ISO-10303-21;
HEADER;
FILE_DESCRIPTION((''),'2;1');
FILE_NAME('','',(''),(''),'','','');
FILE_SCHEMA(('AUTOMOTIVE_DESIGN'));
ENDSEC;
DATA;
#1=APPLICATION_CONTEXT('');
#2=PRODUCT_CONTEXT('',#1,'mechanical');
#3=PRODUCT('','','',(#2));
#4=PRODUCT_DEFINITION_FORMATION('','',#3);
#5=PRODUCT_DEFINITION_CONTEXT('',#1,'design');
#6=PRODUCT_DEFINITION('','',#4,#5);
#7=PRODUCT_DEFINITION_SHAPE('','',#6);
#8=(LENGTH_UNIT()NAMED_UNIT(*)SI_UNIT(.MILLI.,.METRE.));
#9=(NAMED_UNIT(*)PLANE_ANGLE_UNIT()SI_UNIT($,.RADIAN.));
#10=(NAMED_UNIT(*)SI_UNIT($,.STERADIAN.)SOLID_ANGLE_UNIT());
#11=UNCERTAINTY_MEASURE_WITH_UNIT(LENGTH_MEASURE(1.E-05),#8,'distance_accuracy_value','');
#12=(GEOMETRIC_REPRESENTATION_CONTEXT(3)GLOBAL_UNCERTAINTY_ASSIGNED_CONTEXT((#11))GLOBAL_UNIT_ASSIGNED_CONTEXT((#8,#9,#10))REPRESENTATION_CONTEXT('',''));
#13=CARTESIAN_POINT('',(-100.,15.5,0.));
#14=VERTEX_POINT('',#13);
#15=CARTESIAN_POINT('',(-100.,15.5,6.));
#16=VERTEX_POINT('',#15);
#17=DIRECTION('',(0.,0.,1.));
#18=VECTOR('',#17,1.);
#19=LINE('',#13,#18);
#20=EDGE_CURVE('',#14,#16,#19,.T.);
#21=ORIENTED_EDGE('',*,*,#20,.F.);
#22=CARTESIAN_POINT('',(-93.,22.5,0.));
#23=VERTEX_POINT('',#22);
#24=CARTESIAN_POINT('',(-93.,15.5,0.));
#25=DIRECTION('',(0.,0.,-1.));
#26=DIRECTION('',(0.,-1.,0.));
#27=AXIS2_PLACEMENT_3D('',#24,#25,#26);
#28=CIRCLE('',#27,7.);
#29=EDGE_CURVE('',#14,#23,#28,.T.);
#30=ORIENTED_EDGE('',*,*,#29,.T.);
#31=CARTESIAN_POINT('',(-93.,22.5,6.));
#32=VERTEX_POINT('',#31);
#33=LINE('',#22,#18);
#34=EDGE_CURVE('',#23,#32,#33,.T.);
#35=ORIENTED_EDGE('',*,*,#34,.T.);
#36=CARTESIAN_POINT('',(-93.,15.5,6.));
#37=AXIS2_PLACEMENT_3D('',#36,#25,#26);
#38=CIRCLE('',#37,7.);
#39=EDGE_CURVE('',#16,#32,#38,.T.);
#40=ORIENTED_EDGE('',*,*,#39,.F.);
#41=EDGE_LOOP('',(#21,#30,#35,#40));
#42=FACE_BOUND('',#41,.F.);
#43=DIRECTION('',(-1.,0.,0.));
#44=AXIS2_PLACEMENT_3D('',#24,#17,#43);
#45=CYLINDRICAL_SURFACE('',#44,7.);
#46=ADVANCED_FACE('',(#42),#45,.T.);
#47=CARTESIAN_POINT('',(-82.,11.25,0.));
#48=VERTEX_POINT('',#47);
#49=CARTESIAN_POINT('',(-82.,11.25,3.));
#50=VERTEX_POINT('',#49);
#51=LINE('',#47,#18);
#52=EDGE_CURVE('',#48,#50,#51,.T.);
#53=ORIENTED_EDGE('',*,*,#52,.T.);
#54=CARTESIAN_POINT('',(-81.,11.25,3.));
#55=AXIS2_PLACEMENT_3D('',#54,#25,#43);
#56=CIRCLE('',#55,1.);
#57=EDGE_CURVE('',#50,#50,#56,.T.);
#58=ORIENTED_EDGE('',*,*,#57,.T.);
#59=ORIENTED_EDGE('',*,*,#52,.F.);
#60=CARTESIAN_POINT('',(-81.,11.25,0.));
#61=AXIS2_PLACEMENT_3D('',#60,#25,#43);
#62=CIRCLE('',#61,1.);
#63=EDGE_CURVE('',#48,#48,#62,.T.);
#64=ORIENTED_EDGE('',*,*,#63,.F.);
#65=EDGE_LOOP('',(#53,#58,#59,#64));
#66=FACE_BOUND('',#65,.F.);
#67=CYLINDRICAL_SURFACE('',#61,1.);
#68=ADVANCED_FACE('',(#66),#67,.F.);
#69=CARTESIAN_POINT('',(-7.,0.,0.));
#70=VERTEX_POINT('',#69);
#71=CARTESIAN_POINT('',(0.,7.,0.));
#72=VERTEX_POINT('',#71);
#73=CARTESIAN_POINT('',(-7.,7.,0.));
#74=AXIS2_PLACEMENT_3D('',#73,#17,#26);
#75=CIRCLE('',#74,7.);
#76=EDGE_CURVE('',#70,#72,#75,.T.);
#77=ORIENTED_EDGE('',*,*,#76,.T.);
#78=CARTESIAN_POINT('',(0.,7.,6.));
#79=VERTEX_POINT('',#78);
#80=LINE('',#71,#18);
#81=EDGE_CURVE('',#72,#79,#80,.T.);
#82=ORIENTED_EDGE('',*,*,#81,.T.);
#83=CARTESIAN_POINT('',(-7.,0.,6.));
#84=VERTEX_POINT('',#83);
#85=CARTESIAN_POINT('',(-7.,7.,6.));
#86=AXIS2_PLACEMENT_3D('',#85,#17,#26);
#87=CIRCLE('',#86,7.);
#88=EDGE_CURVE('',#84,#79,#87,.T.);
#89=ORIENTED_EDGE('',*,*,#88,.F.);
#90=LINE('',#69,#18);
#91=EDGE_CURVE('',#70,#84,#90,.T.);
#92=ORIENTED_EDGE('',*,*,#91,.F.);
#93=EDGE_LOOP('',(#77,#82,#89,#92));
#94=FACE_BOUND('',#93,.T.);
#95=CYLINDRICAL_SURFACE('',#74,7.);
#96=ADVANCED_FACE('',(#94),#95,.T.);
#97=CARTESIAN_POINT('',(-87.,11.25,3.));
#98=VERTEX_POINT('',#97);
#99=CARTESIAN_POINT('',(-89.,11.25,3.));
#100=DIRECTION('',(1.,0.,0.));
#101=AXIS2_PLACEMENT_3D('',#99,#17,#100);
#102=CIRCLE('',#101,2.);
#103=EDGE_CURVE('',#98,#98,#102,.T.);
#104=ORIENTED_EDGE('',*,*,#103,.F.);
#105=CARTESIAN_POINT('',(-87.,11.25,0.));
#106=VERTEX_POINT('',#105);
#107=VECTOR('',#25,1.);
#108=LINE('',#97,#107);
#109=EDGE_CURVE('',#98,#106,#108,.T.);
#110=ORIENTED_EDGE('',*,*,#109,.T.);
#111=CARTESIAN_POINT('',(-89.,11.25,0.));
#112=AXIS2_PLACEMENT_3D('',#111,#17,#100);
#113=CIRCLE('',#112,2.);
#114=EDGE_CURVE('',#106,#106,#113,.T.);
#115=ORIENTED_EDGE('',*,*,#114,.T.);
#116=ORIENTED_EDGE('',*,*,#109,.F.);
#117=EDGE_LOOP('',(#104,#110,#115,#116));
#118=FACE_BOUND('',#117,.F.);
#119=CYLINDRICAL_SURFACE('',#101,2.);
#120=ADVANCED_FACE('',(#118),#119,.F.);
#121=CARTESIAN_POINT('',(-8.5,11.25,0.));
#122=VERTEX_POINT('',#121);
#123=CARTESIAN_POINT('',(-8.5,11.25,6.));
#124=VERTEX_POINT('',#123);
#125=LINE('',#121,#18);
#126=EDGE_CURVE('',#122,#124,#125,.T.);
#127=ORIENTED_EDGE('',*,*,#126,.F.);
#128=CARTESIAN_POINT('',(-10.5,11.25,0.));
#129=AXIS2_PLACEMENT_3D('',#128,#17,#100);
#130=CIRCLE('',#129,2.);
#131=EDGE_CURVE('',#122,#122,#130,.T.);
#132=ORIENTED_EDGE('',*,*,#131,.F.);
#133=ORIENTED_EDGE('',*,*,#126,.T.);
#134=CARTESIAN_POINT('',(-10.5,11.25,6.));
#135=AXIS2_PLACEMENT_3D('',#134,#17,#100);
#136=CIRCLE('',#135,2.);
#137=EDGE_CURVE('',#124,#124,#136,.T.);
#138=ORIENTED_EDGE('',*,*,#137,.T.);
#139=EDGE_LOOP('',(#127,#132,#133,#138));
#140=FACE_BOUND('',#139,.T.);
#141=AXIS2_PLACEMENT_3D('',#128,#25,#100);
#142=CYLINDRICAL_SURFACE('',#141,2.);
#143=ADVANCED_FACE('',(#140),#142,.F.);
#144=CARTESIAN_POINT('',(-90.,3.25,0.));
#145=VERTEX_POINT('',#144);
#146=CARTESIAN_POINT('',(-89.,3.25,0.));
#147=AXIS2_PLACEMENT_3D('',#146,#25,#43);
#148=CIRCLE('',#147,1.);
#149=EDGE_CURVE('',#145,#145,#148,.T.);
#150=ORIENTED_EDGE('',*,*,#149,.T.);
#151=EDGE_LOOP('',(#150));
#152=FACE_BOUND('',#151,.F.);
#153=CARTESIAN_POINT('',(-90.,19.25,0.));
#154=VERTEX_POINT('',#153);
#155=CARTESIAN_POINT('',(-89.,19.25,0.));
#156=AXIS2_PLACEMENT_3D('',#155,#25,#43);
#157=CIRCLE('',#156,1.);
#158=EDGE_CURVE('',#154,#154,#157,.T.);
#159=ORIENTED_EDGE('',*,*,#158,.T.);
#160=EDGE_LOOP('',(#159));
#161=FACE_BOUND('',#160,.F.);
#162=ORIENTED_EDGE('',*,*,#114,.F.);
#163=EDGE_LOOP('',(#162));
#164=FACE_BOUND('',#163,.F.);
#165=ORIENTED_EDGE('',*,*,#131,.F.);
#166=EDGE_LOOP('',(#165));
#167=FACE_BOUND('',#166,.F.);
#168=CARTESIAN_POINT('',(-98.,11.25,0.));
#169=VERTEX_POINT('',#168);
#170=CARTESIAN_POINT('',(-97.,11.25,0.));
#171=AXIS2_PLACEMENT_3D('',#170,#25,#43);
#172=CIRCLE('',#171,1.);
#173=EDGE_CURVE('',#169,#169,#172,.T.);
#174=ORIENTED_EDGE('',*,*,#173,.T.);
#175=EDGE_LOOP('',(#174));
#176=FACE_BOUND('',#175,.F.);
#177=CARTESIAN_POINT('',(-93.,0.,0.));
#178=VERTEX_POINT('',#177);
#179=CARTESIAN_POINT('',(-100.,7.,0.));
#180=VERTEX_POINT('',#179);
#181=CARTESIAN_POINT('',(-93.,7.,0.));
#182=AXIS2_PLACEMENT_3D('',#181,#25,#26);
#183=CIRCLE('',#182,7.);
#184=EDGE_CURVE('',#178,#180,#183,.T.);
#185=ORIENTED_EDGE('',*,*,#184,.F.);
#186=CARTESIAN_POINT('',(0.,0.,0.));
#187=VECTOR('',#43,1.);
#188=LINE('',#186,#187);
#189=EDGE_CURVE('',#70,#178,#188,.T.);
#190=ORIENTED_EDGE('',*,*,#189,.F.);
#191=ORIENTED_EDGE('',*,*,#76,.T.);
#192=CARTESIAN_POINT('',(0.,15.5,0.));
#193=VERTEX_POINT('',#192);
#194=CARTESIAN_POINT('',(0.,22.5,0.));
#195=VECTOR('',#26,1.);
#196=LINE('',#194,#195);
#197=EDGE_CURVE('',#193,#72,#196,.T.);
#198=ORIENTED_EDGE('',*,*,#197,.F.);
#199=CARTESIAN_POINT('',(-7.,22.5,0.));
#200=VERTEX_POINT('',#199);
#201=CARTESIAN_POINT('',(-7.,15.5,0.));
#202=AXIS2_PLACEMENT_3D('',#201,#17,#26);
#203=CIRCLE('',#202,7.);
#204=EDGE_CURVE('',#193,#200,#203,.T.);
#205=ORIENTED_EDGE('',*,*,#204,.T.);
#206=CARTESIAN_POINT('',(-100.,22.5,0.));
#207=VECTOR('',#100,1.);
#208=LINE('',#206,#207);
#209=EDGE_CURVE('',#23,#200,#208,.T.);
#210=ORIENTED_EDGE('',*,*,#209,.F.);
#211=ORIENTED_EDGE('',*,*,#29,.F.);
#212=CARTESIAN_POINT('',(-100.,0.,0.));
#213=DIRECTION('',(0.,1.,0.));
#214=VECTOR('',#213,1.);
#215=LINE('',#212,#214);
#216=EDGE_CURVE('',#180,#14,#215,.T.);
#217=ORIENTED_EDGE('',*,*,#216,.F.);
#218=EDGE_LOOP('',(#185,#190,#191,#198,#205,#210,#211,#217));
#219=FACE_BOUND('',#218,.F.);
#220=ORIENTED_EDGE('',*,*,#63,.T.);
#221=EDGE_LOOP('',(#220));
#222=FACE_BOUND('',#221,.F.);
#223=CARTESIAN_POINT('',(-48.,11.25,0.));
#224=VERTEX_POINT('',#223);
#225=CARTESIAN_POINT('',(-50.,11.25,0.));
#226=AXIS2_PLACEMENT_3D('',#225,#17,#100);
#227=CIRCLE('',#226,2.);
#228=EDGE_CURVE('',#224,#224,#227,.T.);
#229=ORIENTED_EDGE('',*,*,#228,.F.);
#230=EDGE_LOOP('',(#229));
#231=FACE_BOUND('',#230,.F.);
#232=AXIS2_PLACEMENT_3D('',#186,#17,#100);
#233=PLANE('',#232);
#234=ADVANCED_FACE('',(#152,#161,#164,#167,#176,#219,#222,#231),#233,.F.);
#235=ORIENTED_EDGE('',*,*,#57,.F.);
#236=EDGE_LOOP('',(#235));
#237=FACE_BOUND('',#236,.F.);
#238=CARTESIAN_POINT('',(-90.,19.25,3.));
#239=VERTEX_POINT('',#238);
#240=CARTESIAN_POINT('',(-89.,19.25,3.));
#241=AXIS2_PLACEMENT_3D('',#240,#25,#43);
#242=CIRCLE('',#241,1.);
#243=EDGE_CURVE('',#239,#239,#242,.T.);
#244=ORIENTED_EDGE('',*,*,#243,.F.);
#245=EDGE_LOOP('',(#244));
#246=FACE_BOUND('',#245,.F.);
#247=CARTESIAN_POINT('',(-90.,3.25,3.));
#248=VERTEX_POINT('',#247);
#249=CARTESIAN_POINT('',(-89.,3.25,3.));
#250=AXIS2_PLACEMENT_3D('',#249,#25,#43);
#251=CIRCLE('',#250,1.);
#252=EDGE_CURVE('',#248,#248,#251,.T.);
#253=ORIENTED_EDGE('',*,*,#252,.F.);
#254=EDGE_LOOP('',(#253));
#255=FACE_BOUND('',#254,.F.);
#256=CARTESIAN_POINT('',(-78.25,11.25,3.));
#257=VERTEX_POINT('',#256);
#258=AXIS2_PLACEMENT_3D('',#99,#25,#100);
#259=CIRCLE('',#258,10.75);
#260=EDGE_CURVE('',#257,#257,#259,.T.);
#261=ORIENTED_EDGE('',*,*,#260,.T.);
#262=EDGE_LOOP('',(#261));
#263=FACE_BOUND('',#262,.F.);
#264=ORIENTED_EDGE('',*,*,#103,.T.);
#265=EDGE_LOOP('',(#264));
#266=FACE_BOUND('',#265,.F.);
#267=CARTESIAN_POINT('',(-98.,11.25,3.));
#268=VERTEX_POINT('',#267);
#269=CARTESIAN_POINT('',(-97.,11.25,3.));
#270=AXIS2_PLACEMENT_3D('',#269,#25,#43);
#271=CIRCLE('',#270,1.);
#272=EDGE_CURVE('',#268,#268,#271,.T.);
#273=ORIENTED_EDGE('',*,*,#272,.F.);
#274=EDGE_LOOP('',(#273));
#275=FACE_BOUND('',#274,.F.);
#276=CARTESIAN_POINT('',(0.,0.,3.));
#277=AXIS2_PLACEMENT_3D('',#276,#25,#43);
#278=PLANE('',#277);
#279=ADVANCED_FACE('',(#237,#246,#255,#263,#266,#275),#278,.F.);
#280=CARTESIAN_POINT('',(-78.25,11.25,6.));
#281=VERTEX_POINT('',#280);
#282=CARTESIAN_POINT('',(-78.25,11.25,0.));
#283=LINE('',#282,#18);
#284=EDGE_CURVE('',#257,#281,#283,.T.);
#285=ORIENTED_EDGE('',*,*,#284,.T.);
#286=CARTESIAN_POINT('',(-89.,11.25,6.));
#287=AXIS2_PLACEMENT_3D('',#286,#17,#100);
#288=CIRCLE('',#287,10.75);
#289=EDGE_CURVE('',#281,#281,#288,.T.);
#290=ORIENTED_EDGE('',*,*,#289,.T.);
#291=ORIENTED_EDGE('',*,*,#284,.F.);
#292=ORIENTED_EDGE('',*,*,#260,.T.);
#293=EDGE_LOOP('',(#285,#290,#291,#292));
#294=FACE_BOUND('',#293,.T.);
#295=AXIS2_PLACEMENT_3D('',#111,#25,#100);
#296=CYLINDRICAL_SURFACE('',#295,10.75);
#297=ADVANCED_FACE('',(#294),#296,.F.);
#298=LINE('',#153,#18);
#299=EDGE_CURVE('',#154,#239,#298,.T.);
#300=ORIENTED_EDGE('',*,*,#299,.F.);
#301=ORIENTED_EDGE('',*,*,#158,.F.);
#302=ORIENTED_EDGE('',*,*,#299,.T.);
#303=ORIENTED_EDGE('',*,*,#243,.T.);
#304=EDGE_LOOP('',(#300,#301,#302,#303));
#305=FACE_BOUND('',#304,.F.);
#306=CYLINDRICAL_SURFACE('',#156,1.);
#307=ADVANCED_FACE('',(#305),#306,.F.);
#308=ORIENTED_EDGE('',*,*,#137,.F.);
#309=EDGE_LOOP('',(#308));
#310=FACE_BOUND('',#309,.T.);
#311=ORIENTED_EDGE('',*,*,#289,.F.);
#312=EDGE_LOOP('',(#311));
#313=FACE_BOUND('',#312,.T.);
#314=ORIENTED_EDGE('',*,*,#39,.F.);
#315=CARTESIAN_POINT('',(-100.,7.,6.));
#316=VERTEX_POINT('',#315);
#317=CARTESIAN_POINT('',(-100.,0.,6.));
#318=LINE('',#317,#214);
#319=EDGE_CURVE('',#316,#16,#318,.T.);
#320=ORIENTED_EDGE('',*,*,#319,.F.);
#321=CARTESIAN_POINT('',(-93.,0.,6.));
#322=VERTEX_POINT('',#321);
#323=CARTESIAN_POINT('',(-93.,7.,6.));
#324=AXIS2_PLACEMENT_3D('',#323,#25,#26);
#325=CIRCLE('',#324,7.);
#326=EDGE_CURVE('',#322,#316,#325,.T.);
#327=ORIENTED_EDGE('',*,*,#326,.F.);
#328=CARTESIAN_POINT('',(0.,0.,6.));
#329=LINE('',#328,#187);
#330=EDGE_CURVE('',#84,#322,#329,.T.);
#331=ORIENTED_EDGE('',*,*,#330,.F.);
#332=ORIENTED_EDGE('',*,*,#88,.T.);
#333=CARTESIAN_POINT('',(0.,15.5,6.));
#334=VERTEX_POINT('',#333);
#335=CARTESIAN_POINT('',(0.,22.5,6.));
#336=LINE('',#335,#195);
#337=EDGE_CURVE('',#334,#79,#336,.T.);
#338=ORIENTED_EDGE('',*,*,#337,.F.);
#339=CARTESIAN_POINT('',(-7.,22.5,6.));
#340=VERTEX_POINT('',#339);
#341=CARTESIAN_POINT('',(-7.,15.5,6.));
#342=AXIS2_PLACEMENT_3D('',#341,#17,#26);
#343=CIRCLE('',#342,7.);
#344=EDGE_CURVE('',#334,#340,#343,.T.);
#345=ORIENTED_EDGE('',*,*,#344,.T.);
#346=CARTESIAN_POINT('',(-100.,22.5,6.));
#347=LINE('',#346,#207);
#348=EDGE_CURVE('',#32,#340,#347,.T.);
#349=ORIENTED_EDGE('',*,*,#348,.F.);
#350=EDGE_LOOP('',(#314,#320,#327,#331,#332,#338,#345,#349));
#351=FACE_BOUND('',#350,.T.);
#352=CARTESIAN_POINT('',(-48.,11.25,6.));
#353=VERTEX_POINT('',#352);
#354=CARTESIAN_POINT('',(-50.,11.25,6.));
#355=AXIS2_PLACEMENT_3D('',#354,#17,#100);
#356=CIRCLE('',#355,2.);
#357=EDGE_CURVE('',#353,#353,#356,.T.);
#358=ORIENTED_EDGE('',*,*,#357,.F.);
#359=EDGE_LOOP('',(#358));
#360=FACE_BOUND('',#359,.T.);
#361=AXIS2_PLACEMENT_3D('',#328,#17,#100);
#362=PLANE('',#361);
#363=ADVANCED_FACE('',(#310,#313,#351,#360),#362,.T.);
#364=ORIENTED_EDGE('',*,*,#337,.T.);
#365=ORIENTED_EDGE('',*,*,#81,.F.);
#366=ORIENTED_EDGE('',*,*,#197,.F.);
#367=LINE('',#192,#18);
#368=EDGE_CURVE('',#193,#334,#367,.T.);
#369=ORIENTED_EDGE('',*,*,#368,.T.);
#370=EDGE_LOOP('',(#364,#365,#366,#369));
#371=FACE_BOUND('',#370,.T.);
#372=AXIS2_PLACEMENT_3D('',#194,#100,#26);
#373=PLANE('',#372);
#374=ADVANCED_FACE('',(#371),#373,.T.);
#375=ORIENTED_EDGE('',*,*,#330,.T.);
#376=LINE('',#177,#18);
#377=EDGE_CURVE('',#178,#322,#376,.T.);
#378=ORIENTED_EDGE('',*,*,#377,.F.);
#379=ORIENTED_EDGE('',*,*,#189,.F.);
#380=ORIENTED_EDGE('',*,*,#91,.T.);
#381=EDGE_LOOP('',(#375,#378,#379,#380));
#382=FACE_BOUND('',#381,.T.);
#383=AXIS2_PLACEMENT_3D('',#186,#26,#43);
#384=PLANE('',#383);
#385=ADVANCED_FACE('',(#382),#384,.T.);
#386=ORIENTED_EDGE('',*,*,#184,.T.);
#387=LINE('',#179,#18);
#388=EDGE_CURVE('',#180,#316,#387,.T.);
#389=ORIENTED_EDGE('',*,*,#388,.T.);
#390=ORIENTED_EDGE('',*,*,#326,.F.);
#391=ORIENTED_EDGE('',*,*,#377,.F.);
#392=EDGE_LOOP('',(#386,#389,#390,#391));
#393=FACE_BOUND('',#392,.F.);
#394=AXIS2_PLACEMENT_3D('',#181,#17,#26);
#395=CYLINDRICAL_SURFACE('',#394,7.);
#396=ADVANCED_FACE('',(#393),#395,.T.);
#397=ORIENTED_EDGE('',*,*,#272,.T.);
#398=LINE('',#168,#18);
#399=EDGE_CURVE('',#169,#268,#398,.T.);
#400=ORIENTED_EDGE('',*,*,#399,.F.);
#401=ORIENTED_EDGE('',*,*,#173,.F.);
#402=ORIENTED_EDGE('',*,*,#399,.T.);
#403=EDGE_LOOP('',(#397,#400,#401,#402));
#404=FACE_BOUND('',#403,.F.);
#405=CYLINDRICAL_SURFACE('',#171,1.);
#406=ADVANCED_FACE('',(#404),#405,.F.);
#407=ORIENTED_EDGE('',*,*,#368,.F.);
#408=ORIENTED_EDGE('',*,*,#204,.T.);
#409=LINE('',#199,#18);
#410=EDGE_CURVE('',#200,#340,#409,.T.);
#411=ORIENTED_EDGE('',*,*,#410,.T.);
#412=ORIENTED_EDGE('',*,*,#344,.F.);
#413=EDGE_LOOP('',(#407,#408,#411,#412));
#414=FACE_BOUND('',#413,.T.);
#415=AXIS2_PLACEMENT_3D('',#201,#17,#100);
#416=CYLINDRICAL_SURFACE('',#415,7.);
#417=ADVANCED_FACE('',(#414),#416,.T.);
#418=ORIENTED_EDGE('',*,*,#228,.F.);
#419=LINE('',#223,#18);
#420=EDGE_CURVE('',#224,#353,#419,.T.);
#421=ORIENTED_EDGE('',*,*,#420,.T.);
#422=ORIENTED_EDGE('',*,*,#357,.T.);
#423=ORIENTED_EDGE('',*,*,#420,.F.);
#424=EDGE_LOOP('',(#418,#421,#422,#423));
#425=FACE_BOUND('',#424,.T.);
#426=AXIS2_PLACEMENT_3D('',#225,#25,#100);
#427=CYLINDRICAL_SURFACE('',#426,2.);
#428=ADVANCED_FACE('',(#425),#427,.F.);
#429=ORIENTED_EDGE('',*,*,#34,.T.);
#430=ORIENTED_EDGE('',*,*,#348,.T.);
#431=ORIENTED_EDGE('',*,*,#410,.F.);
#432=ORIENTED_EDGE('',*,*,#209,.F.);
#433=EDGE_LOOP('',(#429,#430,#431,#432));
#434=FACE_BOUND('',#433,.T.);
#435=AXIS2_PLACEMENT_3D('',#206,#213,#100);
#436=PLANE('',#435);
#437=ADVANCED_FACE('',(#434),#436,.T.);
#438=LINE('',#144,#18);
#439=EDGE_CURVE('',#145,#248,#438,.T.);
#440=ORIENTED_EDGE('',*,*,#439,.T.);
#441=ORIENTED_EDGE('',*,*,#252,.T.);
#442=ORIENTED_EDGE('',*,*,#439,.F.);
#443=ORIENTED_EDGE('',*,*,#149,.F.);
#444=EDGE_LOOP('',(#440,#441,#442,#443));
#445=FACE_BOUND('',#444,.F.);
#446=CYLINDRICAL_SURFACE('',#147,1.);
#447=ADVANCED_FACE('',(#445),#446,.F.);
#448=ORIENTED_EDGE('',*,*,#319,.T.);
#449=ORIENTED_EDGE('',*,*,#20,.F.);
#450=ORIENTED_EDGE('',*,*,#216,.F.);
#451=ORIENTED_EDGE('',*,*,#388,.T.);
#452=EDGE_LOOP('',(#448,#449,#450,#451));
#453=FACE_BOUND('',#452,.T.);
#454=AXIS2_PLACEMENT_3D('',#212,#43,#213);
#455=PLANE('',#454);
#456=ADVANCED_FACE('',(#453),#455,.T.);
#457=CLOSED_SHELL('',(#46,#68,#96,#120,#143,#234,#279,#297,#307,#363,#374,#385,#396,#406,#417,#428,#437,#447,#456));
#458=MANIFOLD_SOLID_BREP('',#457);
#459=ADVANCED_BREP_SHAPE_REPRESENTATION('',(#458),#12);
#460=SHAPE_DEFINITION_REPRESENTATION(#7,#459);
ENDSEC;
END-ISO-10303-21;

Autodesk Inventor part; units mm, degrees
ref_plane "YZ Plane" through (0, 0, 0) normal (1, 0, 0) x (0, 1, 0)
ref_plane "XZ Plane" through (0, 0, 0) normal (0, 1, 0) x (-1, 0, 0)
ref_plane "XY Plane" through (0, 0, 0) normal (0, 0, 1) x (1, 0, 0)
sketch "Эскиз1" plane through (0, 0, 0) normal (0, 0, 1) x (1, 0, 0)
  line L0 (0, 0) -> (-100, 0)
  line L1 (-100, 0) -> (-100, 22.5)
  line L2 (-100, 22.5) -> (0, 22.5)
  line L3 (0, 22.5) -> (0, 0)
  line L4 (-100, 11.25) -> (0, 11.25) construction
  line L5 (0, 11.25) -> (-10.5, 11.25) construction
  circle A0 centre (-10.5, 11.25) radius 10.5 construction
  circle A1 centre (-89, 11.25) radius 10.75
  line L6 (-50, 0) -> (-50, 22.5) construction
  circle A2 centre (-50, 11.25) radius 2
  circle A3 centre (-10.5, 11.25) radius 2
  dimension "d0" = 100
  dimension "d1" = 22.5
  dimension "d2" = 10.5
  dimension "d3" = 11
  dimension "d4" = 21
  dimension "d5" = 21.5
  dimension "d6" = 4
  dimension "d7" = 4
extrude "Выдавливание1" add sketch "Эскиз1" along normal blind 6
sketch "Эскиз2" plane through (0, 0, 0) normal (0, 0, -1) x (-1, 0, 0)
  circle A0 centre (89, 11.25) radius 10.75 projected
  circle A1 centre (89, 11.25) radius 10.75
  point P0 (0, 0)
  point P1 (89.5, 21)
  point P2 (89.5, 0)
  dimension "d23" = 21.5
extrude "Выдавливание2" add sketch "Эскиз2" against normal blind 3
sketch "Эскиз3" plane through (0, 0, 3) normal (0, 0, 1) x (1, 0, 0)
  circle A0 centre (-89, 11.25) radius 10.75 projected
  circle A1 centre (-89, 11.25) radius 2
  point P0 (0, 0)
  point P1 (-89.5, 21)
  point P2 (-89.5, 0)
  dimension "d12" = 4
extrude "Выдавливание3" cut sketch "Эскиз3" against normal blind 3 contours A1
fillet "Сопряжение1" radius 7 4 edges at (0, 22.5, 3) (0, 0, 3) (-100, 22.5, 3) (-100, 0, 3)
sketch "Эскиз4" plane through (0, 0, 0) normal (0, 0, -1) x (-1, 0, 0)
  circle A0 centre (89, 11.25) radius 2 projected
  circle A1 centre (89, 11.25) radius 8 construction
  circle A2 centre (81, 11.25) radius 1
  circle A3 centre (89, 3.25) radius 1
  circle A4 centre (97, 11.25) radius 1
  circle A5 centre (89, 19.25) radius 1
  point P0 (0, 0)
  dimension "d16" = 16
  dimension "d17" = 2
  dimension "d18" = 2
  dimension "d19" = 2
  dimension "d20" = 2
extrude "Выдавливание4" cut sketch "Эскиз4" against normal blind 6 contours A2 | A3 | A4 | A5
properties part number "peregorodka" material "Пластик АБС"
